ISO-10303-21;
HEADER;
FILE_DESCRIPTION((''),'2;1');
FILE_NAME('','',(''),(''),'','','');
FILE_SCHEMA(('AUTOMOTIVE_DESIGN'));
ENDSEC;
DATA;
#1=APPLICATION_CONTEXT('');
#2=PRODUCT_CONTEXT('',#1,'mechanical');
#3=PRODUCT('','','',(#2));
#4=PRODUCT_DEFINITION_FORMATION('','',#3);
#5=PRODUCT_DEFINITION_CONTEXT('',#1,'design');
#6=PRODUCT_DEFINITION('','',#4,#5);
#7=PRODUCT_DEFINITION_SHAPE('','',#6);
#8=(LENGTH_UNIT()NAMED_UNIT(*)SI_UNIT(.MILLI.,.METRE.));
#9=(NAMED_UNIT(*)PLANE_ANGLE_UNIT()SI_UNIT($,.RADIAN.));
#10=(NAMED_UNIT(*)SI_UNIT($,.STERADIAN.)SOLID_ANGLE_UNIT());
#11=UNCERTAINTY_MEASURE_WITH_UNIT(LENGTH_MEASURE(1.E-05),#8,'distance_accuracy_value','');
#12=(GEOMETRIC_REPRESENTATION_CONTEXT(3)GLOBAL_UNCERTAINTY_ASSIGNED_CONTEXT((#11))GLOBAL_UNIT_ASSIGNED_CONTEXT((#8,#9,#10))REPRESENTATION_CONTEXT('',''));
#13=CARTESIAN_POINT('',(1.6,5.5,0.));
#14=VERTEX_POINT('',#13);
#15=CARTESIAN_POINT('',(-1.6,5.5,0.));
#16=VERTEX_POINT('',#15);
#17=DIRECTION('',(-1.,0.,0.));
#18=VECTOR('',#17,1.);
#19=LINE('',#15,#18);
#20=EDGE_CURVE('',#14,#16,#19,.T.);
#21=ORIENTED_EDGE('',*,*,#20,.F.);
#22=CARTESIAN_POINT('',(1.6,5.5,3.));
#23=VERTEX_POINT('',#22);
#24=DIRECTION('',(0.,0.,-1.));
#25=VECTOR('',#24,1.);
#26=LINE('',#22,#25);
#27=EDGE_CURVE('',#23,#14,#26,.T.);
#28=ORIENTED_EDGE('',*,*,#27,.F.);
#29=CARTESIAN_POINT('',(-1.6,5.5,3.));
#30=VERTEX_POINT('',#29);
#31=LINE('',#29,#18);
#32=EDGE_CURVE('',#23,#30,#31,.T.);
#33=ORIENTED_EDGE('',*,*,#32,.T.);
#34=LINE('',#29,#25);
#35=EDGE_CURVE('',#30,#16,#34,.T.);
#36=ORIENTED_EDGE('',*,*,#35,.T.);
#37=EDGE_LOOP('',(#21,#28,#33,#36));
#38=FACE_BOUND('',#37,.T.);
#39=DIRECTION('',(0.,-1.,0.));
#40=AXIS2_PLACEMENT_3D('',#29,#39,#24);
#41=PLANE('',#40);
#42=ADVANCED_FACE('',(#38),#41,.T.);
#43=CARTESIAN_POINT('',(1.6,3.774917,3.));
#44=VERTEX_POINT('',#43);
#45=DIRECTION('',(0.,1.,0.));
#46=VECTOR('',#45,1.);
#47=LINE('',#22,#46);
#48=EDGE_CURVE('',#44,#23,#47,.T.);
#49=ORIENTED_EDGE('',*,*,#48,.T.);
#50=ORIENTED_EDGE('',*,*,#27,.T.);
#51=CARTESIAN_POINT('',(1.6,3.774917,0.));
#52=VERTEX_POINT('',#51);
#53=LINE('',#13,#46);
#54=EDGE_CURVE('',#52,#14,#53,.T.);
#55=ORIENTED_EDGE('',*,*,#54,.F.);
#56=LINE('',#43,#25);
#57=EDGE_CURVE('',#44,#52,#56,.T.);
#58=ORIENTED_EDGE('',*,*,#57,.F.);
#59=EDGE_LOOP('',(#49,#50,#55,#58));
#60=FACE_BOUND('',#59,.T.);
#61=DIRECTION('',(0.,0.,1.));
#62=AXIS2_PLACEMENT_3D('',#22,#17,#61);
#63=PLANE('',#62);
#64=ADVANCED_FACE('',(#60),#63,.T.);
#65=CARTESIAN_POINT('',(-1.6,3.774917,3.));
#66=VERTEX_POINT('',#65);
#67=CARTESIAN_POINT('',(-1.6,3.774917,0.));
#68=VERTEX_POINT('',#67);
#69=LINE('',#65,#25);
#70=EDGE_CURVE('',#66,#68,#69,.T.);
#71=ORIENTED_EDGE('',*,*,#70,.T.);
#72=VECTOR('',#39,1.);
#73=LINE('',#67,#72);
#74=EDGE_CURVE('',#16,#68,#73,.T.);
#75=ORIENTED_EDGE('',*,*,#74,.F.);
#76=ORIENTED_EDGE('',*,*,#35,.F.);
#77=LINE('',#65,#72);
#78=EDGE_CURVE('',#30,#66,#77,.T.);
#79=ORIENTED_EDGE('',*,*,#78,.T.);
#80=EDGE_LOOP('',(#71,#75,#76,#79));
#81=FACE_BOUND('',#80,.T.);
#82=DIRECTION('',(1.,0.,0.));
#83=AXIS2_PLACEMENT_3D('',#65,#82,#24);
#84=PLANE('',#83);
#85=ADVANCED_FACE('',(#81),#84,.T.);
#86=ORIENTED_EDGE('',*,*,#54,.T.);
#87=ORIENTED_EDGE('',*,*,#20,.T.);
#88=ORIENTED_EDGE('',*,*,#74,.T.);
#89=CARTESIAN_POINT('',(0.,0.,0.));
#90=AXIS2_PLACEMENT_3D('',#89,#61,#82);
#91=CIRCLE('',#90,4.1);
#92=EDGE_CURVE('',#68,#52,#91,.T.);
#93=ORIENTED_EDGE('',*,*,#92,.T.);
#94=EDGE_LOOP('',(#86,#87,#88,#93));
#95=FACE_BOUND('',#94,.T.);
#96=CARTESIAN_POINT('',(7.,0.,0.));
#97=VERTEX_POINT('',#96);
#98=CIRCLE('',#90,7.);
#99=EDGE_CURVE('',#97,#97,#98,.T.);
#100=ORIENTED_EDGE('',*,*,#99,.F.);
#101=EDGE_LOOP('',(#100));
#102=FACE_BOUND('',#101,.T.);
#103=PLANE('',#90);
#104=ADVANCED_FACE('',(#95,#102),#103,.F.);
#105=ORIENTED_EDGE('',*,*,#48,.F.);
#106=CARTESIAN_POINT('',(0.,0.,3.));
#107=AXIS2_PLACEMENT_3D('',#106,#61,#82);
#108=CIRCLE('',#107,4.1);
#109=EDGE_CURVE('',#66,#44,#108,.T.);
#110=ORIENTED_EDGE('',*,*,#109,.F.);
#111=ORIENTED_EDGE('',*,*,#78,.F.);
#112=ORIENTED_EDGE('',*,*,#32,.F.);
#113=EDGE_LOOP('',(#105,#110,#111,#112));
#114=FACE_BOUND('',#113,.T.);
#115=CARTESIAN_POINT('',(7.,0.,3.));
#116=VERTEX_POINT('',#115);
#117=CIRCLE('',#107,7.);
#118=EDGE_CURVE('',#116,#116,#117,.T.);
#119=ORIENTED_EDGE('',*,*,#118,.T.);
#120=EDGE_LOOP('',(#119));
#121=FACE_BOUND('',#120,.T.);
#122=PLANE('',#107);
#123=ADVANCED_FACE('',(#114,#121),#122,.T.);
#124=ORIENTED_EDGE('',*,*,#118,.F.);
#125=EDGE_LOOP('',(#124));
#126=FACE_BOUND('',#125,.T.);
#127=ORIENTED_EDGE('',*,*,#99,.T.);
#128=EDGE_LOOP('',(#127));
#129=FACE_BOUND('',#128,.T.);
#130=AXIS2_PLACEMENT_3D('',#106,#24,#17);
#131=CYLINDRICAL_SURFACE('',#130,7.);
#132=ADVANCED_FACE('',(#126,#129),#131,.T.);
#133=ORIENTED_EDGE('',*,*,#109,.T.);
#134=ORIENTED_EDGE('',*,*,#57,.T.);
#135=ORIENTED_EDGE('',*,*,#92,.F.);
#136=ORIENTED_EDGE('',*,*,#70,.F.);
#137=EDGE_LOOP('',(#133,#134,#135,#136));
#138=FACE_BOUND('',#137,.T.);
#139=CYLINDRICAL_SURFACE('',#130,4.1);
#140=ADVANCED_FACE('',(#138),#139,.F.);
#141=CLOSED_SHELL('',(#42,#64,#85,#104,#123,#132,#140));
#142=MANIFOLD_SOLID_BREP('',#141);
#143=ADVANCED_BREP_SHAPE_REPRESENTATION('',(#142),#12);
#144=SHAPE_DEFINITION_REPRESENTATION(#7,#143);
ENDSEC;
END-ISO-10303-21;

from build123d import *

# Parameters (mm, degrees)
SKETCH1_R           = 7
BOSS_EXTRUDE1_DEPTH = 3


with BuildPart() as part:
    # Sketch1 → Boss-Extrude1 (new body)
    with BuildSketch(Plane.XY):
        Circle(SKETCH1_R)
        with BuildLine():
            Line((-1.6, 3.774917218), (-1.6, 5.5))
            Line((-1.6, 5.5), (1.6, 5.5))
            Line((1.6, 5.5), (1.6, 3.774917218))
            ThreePointArc((1.6, 3.774917218), (0, -4.1), (-1.6, 3.774917218))
        make_face(mode=Mode.SUBTRACT)
    extrude(amount=BOSS_EXTRUDE1_DEPTH)


solid = part.part
